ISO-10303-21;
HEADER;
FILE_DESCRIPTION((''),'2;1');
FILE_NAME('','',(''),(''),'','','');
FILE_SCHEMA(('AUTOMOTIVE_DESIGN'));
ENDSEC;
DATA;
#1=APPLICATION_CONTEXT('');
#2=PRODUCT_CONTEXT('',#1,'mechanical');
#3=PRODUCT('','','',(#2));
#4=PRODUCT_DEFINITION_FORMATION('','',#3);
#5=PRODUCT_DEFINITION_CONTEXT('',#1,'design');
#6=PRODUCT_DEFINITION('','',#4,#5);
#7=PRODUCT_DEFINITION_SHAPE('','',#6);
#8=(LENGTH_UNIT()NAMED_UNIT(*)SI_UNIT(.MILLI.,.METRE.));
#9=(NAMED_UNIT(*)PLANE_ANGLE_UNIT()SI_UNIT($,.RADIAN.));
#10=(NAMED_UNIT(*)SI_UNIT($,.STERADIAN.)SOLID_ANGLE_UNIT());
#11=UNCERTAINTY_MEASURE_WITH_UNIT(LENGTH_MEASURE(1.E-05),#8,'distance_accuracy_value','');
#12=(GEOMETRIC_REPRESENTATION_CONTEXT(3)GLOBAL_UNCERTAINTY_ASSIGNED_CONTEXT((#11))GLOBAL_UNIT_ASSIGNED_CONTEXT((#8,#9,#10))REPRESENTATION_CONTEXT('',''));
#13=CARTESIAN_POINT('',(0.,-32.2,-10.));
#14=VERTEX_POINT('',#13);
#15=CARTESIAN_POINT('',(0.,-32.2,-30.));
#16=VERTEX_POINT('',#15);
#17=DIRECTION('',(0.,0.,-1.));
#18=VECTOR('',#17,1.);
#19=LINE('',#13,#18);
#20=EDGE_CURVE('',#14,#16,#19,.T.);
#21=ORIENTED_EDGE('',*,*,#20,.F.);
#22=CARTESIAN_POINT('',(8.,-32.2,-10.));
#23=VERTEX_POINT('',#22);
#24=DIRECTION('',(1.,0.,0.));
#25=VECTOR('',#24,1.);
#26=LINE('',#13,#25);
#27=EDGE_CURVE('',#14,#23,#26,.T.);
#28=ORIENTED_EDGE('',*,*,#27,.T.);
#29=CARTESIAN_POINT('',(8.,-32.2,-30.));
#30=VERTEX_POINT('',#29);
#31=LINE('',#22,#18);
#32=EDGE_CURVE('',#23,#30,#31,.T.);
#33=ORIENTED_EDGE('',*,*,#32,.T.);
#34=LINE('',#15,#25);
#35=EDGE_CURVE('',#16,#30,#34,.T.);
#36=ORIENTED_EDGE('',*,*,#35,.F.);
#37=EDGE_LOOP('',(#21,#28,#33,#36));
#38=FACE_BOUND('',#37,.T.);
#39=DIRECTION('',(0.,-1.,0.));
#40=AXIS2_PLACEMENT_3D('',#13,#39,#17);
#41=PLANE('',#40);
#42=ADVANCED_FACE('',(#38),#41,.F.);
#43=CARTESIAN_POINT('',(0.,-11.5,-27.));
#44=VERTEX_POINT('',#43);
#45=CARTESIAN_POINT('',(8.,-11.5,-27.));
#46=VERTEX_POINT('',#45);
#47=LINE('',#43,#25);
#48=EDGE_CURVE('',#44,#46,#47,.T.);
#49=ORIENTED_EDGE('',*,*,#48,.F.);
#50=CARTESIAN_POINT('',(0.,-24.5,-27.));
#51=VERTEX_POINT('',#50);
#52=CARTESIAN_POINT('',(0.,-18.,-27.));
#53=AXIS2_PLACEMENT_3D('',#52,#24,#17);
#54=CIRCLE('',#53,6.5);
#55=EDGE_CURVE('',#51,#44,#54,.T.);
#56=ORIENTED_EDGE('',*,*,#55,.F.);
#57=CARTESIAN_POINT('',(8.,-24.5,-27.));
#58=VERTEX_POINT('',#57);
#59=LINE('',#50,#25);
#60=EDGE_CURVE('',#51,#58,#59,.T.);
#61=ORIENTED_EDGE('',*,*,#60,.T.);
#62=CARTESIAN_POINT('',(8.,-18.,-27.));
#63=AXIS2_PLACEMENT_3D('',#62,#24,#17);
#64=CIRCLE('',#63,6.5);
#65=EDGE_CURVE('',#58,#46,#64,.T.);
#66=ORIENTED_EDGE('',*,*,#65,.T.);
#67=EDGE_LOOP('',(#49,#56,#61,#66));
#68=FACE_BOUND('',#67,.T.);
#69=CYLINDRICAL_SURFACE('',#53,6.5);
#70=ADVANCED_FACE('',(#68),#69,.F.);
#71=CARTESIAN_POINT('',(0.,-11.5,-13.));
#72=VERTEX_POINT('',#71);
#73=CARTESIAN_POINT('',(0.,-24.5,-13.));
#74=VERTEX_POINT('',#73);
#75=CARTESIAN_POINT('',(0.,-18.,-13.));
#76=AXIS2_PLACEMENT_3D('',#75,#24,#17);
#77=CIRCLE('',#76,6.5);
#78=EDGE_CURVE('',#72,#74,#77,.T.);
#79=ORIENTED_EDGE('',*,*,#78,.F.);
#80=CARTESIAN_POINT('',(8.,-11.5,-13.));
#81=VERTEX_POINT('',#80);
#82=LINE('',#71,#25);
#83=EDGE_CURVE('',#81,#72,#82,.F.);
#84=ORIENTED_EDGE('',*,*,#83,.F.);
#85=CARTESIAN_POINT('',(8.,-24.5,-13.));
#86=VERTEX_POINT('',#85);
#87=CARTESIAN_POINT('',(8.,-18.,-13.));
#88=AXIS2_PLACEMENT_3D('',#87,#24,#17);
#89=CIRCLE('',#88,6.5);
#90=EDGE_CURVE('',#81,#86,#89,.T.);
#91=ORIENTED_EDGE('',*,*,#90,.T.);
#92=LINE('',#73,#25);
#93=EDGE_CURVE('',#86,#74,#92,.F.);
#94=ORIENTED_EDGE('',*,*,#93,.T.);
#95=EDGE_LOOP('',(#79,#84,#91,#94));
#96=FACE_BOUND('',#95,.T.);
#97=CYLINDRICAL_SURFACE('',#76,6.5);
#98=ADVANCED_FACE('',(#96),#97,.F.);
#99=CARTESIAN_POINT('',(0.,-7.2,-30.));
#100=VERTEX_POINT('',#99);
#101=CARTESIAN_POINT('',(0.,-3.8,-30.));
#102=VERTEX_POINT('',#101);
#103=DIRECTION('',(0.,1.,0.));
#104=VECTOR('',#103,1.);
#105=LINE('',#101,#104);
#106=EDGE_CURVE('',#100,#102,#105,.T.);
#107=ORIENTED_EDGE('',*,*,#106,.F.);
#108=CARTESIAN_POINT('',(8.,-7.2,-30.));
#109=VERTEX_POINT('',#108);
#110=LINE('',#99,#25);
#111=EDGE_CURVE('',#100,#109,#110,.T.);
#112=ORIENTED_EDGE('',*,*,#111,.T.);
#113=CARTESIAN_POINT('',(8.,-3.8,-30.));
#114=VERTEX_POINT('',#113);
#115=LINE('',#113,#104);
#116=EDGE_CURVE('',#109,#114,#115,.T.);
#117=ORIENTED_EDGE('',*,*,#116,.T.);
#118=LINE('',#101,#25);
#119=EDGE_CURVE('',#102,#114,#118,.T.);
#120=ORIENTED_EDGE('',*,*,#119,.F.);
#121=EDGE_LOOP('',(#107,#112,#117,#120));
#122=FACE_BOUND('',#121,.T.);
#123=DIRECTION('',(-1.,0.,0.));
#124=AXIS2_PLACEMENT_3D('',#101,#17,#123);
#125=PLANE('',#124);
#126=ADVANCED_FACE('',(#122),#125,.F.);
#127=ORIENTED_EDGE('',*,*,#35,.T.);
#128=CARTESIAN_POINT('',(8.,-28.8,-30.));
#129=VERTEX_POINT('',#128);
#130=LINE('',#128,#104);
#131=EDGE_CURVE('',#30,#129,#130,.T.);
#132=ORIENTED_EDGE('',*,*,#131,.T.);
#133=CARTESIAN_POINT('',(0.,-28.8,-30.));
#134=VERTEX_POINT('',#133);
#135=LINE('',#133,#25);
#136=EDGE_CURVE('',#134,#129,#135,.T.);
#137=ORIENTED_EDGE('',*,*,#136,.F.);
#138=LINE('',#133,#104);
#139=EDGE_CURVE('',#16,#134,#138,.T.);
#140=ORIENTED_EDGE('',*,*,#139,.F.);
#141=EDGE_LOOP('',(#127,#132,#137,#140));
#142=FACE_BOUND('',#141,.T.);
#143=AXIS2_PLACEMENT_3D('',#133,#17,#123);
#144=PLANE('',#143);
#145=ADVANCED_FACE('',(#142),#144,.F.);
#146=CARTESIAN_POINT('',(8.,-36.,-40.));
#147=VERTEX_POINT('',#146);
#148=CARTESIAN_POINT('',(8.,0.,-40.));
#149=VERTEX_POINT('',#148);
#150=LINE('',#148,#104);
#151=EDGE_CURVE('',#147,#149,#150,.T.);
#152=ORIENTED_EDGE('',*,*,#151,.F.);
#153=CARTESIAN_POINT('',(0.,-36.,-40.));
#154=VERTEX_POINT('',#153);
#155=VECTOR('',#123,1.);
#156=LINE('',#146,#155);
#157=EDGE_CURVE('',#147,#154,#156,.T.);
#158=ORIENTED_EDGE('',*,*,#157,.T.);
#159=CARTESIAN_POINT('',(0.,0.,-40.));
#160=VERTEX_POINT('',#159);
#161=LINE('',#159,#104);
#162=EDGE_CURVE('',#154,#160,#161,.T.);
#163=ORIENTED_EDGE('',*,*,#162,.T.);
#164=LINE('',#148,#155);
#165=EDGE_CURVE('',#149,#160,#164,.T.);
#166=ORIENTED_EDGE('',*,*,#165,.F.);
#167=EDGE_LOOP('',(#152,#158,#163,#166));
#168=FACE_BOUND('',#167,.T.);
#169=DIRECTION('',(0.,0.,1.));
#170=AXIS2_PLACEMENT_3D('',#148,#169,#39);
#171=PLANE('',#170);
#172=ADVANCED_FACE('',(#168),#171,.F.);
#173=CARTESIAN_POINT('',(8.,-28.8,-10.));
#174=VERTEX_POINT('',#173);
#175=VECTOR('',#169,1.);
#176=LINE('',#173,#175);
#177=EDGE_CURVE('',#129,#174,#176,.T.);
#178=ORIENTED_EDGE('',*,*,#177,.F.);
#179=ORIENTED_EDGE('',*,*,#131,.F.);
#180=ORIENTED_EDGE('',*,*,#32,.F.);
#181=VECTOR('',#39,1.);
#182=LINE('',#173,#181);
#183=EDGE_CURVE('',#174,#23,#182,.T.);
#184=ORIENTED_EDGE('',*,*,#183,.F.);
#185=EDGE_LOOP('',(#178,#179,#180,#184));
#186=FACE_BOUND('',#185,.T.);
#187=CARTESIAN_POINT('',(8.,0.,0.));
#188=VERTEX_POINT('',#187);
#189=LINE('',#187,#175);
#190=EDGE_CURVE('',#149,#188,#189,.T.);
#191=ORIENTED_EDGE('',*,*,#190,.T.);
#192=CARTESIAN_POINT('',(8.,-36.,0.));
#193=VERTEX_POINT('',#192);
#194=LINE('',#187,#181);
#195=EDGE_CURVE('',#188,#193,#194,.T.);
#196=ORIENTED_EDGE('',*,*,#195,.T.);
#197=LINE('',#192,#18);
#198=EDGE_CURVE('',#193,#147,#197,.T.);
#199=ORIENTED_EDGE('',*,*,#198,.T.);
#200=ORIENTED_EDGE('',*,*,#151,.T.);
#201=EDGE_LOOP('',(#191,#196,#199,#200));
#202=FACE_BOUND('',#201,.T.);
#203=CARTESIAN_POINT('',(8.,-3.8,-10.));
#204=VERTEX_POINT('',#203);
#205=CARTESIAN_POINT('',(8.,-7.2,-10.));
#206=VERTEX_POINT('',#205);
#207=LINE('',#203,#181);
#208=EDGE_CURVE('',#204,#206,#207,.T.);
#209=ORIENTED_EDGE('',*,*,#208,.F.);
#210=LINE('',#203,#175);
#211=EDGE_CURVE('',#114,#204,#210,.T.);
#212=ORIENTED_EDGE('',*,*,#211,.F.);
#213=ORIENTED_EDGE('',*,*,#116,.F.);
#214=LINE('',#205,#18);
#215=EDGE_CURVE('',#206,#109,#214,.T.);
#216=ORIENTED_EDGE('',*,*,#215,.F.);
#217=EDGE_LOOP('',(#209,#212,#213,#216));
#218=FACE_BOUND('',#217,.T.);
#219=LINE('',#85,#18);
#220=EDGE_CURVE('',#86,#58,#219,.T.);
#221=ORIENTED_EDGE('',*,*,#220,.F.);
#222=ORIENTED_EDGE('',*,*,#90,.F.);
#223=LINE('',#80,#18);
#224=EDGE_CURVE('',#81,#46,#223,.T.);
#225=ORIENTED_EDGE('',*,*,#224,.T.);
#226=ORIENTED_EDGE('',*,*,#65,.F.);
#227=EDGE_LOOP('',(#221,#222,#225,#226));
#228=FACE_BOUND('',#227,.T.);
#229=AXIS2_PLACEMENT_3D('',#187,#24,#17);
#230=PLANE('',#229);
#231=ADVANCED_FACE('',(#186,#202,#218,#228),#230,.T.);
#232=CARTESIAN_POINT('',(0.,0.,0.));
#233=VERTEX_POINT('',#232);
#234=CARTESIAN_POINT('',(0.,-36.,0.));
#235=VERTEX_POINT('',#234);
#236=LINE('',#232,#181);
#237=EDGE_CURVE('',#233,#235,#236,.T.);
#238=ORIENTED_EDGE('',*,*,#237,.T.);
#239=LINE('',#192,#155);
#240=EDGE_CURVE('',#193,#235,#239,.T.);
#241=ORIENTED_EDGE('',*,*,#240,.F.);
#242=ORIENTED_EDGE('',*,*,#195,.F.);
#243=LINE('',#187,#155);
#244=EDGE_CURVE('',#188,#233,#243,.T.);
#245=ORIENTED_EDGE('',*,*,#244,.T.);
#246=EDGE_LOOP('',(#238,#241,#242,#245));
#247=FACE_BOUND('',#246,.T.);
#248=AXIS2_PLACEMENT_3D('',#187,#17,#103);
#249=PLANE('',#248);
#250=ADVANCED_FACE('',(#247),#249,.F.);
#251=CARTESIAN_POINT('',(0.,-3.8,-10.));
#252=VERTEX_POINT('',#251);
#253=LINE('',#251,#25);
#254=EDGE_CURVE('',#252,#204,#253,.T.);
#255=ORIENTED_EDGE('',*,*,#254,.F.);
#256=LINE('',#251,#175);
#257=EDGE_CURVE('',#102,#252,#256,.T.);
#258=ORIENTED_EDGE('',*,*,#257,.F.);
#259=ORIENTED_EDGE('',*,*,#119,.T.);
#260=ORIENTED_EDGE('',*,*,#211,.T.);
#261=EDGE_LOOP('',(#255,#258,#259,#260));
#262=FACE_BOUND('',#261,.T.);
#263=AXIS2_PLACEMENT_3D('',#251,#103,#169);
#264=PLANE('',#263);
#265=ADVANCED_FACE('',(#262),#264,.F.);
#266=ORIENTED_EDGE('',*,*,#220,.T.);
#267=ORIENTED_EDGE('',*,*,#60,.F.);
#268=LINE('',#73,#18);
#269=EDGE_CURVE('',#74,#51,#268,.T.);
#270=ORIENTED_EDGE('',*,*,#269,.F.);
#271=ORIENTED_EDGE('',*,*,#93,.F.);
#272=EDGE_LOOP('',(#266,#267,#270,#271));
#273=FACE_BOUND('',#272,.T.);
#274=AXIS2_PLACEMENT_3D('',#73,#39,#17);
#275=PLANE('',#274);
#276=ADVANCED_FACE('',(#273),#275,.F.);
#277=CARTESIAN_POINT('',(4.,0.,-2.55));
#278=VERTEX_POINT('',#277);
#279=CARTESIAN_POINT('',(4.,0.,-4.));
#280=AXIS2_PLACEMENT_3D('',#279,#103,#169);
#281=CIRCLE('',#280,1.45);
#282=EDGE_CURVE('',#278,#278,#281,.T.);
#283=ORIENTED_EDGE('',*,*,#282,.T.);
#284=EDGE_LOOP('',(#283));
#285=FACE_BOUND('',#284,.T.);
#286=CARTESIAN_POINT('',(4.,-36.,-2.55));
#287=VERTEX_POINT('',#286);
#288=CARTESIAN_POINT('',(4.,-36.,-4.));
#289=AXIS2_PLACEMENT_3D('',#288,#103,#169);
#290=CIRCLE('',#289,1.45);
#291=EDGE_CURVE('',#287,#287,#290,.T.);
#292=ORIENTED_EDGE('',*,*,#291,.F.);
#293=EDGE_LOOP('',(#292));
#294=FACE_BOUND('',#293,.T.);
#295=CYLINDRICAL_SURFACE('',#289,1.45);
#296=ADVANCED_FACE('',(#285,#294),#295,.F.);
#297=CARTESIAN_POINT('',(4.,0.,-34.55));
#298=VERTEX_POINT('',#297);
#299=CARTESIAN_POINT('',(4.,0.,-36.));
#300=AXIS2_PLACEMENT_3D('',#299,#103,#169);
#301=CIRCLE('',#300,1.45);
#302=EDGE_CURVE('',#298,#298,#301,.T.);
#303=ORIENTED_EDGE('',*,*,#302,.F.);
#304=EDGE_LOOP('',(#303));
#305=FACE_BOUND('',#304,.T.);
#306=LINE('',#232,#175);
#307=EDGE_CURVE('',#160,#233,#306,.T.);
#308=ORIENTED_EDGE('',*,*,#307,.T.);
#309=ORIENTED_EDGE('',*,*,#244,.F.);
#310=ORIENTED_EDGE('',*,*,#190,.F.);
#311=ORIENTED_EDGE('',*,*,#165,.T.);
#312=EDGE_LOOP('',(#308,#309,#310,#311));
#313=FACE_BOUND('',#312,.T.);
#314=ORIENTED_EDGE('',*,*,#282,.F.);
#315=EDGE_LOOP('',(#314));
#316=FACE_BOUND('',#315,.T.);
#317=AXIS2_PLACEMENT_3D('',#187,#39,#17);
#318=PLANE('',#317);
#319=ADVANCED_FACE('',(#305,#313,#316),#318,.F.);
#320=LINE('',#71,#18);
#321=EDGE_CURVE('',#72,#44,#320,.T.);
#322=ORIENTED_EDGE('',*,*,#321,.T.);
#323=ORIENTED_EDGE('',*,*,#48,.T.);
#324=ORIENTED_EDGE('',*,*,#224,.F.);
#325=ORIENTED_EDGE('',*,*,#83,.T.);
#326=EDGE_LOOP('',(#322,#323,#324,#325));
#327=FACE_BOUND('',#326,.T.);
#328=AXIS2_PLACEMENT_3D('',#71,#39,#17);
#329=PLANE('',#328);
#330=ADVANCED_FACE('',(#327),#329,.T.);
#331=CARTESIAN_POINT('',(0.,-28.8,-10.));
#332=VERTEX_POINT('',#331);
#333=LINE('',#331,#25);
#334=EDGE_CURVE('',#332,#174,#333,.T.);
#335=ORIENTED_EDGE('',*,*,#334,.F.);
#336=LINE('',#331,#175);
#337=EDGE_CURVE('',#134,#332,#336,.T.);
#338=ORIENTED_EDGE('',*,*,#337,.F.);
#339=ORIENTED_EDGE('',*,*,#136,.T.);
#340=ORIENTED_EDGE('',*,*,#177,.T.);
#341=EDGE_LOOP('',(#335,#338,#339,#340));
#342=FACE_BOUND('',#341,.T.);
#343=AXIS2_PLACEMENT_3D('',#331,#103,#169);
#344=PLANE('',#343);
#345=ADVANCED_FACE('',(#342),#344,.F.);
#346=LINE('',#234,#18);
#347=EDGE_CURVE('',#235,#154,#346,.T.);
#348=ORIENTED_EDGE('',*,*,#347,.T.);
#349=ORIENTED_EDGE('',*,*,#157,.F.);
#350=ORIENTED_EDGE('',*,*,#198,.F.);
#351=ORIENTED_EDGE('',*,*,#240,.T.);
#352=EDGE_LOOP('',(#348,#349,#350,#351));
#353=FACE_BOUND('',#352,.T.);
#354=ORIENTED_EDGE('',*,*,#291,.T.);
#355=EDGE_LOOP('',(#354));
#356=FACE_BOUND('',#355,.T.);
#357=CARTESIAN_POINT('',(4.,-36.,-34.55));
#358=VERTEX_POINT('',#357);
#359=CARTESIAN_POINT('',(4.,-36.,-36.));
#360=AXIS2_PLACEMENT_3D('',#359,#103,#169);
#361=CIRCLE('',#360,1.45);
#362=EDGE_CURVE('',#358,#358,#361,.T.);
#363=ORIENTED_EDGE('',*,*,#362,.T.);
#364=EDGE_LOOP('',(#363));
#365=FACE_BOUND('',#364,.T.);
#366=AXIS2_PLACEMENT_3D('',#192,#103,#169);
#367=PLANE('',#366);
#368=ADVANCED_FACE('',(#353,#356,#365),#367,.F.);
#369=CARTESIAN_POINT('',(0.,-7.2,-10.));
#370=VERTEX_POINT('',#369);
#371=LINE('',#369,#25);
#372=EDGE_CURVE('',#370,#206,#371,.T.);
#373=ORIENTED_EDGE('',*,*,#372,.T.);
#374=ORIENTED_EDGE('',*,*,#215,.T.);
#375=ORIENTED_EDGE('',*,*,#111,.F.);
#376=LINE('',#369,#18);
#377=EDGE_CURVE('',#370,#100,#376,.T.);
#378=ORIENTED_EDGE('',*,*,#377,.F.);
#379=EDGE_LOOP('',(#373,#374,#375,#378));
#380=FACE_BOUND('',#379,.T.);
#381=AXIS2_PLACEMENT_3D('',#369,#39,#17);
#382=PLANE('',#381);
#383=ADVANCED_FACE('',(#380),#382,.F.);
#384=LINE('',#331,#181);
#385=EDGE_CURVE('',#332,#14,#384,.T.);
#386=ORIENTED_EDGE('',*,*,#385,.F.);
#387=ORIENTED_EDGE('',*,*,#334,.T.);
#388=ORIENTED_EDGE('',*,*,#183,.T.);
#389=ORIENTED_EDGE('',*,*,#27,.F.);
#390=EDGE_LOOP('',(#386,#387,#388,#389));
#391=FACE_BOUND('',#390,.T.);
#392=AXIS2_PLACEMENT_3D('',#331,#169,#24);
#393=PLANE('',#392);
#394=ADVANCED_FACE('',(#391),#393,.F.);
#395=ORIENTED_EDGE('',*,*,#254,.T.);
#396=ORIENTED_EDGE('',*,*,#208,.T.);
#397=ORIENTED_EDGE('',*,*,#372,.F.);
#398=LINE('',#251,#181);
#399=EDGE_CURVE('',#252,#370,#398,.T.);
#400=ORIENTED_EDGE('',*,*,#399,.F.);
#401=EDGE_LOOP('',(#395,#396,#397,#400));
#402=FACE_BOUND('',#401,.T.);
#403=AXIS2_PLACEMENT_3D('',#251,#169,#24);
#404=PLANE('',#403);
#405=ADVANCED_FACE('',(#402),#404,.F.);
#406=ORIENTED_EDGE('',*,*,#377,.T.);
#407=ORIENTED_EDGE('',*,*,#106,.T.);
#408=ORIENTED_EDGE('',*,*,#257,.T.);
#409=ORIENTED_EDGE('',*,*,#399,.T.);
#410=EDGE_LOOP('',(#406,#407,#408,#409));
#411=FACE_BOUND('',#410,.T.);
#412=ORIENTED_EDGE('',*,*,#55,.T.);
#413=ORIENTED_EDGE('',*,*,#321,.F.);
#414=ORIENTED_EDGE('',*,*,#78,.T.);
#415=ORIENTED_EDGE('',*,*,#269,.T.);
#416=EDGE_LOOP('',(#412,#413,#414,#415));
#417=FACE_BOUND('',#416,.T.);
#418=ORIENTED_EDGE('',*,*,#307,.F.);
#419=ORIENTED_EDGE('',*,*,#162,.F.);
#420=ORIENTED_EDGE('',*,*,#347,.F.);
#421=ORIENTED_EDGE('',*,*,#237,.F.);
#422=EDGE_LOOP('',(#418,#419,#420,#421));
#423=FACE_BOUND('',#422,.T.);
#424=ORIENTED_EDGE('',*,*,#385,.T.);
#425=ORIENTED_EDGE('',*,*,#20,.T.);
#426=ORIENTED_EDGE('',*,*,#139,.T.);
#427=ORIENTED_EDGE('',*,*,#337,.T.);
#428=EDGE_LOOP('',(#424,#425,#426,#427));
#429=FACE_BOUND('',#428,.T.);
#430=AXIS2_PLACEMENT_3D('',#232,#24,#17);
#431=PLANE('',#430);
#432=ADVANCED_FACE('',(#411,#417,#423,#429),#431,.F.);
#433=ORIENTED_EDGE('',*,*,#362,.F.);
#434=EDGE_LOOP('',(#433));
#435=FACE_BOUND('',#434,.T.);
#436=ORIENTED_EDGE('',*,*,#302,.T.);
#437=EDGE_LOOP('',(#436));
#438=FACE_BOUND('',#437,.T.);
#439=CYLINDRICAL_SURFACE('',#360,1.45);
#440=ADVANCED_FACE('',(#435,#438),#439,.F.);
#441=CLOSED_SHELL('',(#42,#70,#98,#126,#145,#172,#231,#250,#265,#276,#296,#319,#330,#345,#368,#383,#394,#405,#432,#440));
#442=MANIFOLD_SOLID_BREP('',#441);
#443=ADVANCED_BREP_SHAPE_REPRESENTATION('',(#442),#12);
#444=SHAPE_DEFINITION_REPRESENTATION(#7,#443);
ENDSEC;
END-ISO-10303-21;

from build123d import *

# Parameters (mm, degrees)
SKETCH1_W           = 40
SKETCH1_H           = 36
BOSS_EXTRUDE1_DEPTH = 8
SKETCH2_R           = 6
CUT_EXTRUDE1_DEPTH  = 55.405882035
SKETCH3_W           = 20
SKETCH3_H           = 3.4
CUT_EXTRUDE2_DEPTH  = 55.405882035
SKETCH6_R           = 1.45
CUT_EXTRUDE3_DEPTH  = 55.405882035
SKETCH7_R           = 6.5
SKETCH7_W           = 14
SKETCH7_H           = 13
CUT_EXTRUDE4_DEPTH  = 55.405882035


with BuildPart() as part:
    # Sketch1 → Boss-Extrude1 (new body)
    with BuildSketch(Plane(origin=(0, 0, 0), x_dir=(0, 0, -1), z_dir=(1, 0, 0))):
        with Locations((20, -18)):
            Rectangle(SKETCH1_W, SKETCH1_H)
    extrude(amount=BOSS_EXTRUDE1_DEPTH)

    # Sketch2 → Cut-Extrude1 (cut, through all)
    with BuildSketch(Plane(origin=(8, 0, 0), x_dir=(0, 0, -1), z_dir=(1, 0, 0))):
        with Locations((20, -18)):
            Circle(SKETCH2_R)
    extrude(amount=-CUT_EXTRUDE1_DEPTH, mode=Mode.SUBTRACT)

    # Sketch3 → Cut-Extrude2 (cut, through all)
    with BuildSketch(Plane(origin=(8, 0, 0), x_dir=(0, 0, -1), z_dir=(1, 0, 0))):
        with Locations((20, -5.5)):
            Rectangle(SKETCH3_W, SKETCH3_H)
        with Locations((20, -30.5)):
            Rectangle(SKETCH3_W, SKETCH3_H)
    extrude(amount=-CUT_EXTRUDE2_DEPTH, mode=Mode.SUBTRACT)

    # Sketch6 → Cut-Extrude3 (cut, through all)
    with BuildSketch(Plane(origin=(0, 0, 0), x_dir=(1, 0, 0), z_dir=(0, 1, 0))):
        with Locations(Location((4, 4, 0), (0, 0, 270))):
            Circle(SKETCH6_R)
        with Locations(Location((4, 36, 0), (0, 0, 270))):
            Circle(SKETCH6_R)
    extrude(amount=-CUT_EXTRUDE3_DEPTH, mode=Mode.SUBTRACT)

    # Sketch7 → Cut-Extrude4 (cut, through all)
    with BuildSketch(Plane(origin=(8, 0, 0), x_dir=(0, 0, -1), z_dir=(1, 0, 0))):
        with Locations((27, -18)):
            Circle(SKETCH7_R)
        with Locations((13, -18)):
            Circle(SKETCH7_R)
        with Locations((20, -18)):
            Rectangle(SKETCH7_W, SKETCH7_H)
    extrude(amount=-CUT_EXTRUDE4_DEPTH, mode=Mode.SUBTRACT)


solid = part.part
